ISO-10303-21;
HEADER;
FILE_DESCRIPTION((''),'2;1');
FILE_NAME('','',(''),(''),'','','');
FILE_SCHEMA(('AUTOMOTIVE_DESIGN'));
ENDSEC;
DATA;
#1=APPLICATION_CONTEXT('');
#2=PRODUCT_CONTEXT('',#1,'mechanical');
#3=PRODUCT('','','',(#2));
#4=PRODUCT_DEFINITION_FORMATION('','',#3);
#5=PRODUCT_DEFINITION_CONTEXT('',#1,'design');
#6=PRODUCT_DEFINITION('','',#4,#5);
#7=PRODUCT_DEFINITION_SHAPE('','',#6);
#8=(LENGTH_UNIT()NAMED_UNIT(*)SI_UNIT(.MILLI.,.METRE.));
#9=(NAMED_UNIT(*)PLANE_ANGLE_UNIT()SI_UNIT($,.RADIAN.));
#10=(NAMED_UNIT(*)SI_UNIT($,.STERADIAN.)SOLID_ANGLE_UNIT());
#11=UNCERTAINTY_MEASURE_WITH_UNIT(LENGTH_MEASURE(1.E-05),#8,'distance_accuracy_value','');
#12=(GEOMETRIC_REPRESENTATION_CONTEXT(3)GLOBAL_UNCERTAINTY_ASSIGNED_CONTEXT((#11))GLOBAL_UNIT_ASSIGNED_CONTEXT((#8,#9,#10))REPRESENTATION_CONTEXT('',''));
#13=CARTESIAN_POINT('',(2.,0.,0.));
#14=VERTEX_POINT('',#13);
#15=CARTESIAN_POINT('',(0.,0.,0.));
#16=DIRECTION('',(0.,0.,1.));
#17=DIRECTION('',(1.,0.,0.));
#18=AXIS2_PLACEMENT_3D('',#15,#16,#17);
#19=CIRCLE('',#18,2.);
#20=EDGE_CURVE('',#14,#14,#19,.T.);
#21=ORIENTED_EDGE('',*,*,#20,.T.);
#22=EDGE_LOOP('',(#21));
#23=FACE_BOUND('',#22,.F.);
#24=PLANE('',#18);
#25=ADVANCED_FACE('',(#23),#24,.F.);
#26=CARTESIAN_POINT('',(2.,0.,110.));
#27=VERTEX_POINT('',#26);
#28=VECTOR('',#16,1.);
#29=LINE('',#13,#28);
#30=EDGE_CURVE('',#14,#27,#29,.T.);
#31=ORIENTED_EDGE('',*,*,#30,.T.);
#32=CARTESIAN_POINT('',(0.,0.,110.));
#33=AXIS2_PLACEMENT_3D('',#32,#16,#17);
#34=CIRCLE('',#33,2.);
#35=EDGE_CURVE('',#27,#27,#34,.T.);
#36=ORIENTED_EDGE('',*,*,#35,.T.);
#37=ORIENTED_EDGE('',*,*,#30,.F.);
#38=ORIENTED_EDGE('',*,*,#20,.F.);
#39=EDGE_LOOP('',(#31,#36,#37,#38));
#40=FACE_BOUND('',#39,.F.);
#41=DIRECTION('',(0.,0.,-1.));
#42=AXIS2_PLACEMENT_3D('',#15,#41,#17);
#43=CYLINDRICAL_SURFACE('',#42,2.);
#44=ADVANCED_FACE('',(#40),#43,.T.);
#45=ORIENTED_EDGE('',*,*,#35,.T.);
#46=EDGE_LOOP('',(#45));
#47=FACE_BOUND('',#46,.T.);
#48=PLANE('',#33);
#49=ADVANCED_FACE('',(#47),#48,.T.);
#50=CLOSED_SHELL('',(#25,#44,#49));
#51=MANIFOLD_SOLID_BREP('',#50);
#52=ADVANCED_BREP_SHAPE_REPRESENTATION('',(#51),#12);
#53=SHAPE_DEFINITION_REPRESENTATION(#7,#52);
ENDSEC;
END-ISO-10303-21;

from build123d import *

# Parameters (mm, degrees)
CYLINDER_R     = 2
CYLINDER_DEPTH = 110


with BuildPart() as part:
    # Cylinder → Cylinder (join)
    with BuildSketch(Plane.XY):
        Circle(CYLINDER_R)
    extrude(amount=CYLINDER_DEPTH)


solid = part.part
